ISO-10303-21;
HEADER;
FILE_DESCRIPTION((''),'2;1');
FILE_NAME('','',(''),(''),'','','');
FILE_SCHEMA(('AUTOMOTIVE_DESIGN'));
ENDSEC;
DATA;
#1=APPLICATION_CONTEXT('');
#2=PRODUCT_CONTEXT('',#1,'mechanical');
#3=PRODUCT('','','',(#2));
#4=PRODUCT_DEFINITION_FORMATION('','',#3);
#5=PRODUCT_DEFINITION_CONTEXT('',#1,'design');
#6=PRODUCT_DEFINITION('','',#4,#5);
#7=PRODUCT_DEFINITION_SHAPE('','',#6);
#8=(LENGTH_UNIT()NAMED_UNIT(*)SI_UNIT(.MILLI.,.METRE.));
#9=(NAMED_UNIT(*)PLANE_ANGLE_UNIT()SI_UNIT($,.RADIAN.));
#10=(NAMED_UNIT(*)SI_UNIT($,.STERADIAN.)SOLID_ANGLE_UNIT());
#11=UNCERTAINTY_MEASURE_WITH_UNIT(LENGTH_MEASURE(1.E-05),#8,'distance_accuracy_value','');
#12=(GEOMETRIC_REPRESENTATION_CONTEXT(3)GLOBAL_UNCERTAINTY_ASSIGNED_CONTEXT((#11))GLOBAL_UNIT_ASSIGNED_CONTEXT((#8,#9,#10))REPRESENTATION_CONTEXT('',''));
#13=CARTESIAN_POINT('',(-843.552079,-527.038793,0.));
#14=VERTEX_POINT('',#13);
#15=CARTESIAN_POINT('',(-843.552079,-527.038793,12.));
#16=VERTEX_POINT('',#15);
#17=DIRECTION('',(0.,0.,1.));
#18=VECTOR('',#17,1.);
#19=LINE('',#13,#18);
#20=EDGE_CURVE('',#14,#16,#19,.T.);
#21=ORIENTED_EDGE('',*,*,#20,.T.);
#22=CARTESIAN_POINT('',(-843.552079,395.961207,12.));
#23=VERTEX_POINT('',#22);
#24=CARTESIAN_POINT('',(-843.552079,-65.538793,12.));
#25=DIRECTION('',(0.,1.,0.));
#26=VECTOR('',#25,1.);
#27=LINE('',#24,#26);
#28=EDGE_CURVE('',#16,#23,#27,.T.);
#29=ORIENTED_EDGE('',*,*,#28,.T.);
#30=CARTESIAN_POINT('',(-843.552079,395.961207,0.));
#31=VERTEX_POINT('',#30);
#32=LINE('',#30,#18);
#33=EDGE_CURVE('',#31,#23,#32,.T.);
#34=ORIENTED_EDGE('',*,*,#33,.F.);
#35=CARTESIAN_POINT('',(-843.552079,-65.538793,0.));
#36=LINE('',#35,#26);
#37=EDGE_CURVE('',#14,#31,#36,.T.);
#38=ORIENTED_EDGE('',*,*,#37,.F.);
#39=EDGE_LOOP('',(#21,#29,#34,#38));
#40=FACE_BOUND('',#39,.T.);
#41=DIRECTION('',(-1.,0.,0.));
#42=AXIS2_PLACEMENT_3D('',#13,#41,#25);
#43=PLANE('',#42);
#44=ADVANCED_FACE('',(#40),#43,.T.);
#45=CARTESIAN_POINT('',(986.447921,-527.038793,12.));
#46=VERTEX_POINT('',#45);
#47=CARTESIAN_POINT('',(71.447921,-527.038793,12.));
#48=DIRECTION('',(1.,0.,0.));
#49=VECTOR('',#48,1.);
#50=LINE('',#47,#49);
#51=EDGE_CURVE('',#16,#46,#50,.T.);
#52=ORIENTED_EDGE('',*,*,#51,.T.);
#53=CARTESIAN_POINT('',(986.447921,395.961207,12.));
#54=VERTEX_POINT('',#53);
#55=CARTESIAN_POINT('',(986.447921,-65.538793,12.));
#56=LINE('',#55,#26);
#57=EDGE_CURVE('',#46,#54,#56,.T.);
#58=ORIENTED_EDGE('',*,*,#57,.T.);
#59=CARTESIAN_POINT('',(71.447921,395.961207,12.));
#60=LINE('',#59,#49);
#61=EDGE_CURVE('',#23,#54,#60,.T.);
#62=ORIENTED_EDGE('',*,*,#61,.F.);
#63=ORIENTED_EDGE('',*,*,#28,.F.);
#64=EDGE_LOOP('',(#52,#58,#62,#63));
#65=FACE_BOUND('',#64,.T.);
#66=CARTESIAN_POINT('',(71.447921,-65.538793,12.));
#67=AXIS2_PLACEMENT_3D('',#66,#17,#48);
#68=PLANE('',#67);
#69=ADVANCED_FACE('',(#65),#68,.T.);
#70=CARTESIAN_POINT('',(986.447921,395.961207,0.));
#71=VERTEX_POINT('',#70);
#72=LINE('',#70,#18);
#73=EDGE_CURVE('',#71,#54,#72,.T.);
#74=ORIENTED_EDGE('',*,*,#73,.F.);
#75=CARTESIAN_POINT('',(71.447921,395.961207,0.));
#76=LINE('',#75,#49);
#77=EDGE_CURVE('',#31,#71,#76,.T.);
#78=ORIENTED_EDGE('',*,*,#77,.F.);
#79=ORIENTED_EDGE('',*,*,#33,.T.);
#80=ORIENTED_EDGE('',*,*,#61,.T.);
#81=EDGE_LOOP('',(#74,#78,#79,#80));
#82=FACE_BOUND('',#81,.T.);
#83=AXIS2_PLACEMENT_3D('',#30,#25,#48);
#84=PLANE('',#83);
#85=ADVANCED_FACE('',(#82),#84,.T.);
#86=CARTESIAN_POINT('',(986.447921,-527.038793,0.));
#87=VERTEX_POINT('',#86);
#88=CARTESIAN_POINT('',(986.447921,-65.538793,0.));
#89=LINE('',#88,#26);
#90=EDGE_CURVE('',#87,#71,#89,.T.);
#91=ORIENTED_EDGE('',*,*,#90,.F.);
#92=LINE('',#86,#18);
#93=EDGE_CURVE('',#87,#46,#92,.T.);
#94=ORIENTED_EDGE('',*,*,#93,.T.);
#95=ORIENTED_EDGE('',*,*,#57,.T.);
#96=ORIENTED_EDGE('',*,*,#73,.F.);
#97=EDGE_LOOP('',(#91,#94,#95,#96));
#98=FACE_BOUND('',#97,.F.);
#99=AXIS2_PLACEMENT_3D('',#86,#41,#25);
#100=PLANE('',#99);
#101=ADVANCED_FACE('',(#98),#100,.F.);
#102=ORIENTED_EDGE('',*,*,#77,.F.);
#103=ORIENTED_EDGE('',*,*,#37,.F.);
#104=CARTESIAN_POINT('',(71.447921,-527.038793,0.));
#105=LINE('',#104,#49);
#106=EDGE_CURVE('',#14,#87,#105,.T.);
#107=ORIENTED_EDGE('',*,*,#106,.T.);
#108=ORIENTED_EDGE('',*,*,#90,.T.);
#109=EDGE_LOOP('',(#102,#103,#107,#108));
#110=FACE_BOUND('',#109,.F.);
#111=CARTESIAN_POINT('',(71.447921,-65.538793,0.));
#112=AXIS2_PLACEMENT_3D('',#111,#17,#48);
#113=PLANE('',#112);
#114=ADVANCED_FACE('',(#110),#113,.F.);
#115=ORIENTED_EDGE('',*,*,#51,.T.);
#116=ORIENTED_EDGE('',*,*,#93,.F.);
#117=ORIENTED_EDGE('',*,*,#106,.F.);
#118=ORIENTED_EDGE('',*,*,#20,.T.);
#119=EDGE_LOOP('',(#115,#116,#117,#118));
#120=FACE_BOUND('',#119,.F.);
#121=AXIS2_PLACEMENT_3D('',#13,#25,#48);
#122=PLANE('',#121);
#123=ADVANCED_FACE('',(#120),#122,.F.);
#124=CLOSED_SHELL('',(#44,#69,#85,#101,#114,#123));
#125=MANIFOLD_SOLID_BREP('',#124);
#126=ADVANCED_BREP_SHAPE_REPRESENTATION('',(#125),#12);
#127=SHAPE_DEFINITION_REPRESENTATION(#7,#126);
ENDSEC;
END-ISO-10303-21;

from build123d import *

# Parameters (mm, degrees)
SKETCH_W  = 1830
SKETCH_H  = 923
PAD_DEPTH = 12


with BuildPart() as part:
    # Sketch → Pad (new body)
    with BuildSketch(Plane.XY):
        with Locations((71.447921, -65.538793)):
            Rectangle(SKETCH_W, SKETCH_H)
    extrude(amount=PAD_DEPTH)


solid = part.part
